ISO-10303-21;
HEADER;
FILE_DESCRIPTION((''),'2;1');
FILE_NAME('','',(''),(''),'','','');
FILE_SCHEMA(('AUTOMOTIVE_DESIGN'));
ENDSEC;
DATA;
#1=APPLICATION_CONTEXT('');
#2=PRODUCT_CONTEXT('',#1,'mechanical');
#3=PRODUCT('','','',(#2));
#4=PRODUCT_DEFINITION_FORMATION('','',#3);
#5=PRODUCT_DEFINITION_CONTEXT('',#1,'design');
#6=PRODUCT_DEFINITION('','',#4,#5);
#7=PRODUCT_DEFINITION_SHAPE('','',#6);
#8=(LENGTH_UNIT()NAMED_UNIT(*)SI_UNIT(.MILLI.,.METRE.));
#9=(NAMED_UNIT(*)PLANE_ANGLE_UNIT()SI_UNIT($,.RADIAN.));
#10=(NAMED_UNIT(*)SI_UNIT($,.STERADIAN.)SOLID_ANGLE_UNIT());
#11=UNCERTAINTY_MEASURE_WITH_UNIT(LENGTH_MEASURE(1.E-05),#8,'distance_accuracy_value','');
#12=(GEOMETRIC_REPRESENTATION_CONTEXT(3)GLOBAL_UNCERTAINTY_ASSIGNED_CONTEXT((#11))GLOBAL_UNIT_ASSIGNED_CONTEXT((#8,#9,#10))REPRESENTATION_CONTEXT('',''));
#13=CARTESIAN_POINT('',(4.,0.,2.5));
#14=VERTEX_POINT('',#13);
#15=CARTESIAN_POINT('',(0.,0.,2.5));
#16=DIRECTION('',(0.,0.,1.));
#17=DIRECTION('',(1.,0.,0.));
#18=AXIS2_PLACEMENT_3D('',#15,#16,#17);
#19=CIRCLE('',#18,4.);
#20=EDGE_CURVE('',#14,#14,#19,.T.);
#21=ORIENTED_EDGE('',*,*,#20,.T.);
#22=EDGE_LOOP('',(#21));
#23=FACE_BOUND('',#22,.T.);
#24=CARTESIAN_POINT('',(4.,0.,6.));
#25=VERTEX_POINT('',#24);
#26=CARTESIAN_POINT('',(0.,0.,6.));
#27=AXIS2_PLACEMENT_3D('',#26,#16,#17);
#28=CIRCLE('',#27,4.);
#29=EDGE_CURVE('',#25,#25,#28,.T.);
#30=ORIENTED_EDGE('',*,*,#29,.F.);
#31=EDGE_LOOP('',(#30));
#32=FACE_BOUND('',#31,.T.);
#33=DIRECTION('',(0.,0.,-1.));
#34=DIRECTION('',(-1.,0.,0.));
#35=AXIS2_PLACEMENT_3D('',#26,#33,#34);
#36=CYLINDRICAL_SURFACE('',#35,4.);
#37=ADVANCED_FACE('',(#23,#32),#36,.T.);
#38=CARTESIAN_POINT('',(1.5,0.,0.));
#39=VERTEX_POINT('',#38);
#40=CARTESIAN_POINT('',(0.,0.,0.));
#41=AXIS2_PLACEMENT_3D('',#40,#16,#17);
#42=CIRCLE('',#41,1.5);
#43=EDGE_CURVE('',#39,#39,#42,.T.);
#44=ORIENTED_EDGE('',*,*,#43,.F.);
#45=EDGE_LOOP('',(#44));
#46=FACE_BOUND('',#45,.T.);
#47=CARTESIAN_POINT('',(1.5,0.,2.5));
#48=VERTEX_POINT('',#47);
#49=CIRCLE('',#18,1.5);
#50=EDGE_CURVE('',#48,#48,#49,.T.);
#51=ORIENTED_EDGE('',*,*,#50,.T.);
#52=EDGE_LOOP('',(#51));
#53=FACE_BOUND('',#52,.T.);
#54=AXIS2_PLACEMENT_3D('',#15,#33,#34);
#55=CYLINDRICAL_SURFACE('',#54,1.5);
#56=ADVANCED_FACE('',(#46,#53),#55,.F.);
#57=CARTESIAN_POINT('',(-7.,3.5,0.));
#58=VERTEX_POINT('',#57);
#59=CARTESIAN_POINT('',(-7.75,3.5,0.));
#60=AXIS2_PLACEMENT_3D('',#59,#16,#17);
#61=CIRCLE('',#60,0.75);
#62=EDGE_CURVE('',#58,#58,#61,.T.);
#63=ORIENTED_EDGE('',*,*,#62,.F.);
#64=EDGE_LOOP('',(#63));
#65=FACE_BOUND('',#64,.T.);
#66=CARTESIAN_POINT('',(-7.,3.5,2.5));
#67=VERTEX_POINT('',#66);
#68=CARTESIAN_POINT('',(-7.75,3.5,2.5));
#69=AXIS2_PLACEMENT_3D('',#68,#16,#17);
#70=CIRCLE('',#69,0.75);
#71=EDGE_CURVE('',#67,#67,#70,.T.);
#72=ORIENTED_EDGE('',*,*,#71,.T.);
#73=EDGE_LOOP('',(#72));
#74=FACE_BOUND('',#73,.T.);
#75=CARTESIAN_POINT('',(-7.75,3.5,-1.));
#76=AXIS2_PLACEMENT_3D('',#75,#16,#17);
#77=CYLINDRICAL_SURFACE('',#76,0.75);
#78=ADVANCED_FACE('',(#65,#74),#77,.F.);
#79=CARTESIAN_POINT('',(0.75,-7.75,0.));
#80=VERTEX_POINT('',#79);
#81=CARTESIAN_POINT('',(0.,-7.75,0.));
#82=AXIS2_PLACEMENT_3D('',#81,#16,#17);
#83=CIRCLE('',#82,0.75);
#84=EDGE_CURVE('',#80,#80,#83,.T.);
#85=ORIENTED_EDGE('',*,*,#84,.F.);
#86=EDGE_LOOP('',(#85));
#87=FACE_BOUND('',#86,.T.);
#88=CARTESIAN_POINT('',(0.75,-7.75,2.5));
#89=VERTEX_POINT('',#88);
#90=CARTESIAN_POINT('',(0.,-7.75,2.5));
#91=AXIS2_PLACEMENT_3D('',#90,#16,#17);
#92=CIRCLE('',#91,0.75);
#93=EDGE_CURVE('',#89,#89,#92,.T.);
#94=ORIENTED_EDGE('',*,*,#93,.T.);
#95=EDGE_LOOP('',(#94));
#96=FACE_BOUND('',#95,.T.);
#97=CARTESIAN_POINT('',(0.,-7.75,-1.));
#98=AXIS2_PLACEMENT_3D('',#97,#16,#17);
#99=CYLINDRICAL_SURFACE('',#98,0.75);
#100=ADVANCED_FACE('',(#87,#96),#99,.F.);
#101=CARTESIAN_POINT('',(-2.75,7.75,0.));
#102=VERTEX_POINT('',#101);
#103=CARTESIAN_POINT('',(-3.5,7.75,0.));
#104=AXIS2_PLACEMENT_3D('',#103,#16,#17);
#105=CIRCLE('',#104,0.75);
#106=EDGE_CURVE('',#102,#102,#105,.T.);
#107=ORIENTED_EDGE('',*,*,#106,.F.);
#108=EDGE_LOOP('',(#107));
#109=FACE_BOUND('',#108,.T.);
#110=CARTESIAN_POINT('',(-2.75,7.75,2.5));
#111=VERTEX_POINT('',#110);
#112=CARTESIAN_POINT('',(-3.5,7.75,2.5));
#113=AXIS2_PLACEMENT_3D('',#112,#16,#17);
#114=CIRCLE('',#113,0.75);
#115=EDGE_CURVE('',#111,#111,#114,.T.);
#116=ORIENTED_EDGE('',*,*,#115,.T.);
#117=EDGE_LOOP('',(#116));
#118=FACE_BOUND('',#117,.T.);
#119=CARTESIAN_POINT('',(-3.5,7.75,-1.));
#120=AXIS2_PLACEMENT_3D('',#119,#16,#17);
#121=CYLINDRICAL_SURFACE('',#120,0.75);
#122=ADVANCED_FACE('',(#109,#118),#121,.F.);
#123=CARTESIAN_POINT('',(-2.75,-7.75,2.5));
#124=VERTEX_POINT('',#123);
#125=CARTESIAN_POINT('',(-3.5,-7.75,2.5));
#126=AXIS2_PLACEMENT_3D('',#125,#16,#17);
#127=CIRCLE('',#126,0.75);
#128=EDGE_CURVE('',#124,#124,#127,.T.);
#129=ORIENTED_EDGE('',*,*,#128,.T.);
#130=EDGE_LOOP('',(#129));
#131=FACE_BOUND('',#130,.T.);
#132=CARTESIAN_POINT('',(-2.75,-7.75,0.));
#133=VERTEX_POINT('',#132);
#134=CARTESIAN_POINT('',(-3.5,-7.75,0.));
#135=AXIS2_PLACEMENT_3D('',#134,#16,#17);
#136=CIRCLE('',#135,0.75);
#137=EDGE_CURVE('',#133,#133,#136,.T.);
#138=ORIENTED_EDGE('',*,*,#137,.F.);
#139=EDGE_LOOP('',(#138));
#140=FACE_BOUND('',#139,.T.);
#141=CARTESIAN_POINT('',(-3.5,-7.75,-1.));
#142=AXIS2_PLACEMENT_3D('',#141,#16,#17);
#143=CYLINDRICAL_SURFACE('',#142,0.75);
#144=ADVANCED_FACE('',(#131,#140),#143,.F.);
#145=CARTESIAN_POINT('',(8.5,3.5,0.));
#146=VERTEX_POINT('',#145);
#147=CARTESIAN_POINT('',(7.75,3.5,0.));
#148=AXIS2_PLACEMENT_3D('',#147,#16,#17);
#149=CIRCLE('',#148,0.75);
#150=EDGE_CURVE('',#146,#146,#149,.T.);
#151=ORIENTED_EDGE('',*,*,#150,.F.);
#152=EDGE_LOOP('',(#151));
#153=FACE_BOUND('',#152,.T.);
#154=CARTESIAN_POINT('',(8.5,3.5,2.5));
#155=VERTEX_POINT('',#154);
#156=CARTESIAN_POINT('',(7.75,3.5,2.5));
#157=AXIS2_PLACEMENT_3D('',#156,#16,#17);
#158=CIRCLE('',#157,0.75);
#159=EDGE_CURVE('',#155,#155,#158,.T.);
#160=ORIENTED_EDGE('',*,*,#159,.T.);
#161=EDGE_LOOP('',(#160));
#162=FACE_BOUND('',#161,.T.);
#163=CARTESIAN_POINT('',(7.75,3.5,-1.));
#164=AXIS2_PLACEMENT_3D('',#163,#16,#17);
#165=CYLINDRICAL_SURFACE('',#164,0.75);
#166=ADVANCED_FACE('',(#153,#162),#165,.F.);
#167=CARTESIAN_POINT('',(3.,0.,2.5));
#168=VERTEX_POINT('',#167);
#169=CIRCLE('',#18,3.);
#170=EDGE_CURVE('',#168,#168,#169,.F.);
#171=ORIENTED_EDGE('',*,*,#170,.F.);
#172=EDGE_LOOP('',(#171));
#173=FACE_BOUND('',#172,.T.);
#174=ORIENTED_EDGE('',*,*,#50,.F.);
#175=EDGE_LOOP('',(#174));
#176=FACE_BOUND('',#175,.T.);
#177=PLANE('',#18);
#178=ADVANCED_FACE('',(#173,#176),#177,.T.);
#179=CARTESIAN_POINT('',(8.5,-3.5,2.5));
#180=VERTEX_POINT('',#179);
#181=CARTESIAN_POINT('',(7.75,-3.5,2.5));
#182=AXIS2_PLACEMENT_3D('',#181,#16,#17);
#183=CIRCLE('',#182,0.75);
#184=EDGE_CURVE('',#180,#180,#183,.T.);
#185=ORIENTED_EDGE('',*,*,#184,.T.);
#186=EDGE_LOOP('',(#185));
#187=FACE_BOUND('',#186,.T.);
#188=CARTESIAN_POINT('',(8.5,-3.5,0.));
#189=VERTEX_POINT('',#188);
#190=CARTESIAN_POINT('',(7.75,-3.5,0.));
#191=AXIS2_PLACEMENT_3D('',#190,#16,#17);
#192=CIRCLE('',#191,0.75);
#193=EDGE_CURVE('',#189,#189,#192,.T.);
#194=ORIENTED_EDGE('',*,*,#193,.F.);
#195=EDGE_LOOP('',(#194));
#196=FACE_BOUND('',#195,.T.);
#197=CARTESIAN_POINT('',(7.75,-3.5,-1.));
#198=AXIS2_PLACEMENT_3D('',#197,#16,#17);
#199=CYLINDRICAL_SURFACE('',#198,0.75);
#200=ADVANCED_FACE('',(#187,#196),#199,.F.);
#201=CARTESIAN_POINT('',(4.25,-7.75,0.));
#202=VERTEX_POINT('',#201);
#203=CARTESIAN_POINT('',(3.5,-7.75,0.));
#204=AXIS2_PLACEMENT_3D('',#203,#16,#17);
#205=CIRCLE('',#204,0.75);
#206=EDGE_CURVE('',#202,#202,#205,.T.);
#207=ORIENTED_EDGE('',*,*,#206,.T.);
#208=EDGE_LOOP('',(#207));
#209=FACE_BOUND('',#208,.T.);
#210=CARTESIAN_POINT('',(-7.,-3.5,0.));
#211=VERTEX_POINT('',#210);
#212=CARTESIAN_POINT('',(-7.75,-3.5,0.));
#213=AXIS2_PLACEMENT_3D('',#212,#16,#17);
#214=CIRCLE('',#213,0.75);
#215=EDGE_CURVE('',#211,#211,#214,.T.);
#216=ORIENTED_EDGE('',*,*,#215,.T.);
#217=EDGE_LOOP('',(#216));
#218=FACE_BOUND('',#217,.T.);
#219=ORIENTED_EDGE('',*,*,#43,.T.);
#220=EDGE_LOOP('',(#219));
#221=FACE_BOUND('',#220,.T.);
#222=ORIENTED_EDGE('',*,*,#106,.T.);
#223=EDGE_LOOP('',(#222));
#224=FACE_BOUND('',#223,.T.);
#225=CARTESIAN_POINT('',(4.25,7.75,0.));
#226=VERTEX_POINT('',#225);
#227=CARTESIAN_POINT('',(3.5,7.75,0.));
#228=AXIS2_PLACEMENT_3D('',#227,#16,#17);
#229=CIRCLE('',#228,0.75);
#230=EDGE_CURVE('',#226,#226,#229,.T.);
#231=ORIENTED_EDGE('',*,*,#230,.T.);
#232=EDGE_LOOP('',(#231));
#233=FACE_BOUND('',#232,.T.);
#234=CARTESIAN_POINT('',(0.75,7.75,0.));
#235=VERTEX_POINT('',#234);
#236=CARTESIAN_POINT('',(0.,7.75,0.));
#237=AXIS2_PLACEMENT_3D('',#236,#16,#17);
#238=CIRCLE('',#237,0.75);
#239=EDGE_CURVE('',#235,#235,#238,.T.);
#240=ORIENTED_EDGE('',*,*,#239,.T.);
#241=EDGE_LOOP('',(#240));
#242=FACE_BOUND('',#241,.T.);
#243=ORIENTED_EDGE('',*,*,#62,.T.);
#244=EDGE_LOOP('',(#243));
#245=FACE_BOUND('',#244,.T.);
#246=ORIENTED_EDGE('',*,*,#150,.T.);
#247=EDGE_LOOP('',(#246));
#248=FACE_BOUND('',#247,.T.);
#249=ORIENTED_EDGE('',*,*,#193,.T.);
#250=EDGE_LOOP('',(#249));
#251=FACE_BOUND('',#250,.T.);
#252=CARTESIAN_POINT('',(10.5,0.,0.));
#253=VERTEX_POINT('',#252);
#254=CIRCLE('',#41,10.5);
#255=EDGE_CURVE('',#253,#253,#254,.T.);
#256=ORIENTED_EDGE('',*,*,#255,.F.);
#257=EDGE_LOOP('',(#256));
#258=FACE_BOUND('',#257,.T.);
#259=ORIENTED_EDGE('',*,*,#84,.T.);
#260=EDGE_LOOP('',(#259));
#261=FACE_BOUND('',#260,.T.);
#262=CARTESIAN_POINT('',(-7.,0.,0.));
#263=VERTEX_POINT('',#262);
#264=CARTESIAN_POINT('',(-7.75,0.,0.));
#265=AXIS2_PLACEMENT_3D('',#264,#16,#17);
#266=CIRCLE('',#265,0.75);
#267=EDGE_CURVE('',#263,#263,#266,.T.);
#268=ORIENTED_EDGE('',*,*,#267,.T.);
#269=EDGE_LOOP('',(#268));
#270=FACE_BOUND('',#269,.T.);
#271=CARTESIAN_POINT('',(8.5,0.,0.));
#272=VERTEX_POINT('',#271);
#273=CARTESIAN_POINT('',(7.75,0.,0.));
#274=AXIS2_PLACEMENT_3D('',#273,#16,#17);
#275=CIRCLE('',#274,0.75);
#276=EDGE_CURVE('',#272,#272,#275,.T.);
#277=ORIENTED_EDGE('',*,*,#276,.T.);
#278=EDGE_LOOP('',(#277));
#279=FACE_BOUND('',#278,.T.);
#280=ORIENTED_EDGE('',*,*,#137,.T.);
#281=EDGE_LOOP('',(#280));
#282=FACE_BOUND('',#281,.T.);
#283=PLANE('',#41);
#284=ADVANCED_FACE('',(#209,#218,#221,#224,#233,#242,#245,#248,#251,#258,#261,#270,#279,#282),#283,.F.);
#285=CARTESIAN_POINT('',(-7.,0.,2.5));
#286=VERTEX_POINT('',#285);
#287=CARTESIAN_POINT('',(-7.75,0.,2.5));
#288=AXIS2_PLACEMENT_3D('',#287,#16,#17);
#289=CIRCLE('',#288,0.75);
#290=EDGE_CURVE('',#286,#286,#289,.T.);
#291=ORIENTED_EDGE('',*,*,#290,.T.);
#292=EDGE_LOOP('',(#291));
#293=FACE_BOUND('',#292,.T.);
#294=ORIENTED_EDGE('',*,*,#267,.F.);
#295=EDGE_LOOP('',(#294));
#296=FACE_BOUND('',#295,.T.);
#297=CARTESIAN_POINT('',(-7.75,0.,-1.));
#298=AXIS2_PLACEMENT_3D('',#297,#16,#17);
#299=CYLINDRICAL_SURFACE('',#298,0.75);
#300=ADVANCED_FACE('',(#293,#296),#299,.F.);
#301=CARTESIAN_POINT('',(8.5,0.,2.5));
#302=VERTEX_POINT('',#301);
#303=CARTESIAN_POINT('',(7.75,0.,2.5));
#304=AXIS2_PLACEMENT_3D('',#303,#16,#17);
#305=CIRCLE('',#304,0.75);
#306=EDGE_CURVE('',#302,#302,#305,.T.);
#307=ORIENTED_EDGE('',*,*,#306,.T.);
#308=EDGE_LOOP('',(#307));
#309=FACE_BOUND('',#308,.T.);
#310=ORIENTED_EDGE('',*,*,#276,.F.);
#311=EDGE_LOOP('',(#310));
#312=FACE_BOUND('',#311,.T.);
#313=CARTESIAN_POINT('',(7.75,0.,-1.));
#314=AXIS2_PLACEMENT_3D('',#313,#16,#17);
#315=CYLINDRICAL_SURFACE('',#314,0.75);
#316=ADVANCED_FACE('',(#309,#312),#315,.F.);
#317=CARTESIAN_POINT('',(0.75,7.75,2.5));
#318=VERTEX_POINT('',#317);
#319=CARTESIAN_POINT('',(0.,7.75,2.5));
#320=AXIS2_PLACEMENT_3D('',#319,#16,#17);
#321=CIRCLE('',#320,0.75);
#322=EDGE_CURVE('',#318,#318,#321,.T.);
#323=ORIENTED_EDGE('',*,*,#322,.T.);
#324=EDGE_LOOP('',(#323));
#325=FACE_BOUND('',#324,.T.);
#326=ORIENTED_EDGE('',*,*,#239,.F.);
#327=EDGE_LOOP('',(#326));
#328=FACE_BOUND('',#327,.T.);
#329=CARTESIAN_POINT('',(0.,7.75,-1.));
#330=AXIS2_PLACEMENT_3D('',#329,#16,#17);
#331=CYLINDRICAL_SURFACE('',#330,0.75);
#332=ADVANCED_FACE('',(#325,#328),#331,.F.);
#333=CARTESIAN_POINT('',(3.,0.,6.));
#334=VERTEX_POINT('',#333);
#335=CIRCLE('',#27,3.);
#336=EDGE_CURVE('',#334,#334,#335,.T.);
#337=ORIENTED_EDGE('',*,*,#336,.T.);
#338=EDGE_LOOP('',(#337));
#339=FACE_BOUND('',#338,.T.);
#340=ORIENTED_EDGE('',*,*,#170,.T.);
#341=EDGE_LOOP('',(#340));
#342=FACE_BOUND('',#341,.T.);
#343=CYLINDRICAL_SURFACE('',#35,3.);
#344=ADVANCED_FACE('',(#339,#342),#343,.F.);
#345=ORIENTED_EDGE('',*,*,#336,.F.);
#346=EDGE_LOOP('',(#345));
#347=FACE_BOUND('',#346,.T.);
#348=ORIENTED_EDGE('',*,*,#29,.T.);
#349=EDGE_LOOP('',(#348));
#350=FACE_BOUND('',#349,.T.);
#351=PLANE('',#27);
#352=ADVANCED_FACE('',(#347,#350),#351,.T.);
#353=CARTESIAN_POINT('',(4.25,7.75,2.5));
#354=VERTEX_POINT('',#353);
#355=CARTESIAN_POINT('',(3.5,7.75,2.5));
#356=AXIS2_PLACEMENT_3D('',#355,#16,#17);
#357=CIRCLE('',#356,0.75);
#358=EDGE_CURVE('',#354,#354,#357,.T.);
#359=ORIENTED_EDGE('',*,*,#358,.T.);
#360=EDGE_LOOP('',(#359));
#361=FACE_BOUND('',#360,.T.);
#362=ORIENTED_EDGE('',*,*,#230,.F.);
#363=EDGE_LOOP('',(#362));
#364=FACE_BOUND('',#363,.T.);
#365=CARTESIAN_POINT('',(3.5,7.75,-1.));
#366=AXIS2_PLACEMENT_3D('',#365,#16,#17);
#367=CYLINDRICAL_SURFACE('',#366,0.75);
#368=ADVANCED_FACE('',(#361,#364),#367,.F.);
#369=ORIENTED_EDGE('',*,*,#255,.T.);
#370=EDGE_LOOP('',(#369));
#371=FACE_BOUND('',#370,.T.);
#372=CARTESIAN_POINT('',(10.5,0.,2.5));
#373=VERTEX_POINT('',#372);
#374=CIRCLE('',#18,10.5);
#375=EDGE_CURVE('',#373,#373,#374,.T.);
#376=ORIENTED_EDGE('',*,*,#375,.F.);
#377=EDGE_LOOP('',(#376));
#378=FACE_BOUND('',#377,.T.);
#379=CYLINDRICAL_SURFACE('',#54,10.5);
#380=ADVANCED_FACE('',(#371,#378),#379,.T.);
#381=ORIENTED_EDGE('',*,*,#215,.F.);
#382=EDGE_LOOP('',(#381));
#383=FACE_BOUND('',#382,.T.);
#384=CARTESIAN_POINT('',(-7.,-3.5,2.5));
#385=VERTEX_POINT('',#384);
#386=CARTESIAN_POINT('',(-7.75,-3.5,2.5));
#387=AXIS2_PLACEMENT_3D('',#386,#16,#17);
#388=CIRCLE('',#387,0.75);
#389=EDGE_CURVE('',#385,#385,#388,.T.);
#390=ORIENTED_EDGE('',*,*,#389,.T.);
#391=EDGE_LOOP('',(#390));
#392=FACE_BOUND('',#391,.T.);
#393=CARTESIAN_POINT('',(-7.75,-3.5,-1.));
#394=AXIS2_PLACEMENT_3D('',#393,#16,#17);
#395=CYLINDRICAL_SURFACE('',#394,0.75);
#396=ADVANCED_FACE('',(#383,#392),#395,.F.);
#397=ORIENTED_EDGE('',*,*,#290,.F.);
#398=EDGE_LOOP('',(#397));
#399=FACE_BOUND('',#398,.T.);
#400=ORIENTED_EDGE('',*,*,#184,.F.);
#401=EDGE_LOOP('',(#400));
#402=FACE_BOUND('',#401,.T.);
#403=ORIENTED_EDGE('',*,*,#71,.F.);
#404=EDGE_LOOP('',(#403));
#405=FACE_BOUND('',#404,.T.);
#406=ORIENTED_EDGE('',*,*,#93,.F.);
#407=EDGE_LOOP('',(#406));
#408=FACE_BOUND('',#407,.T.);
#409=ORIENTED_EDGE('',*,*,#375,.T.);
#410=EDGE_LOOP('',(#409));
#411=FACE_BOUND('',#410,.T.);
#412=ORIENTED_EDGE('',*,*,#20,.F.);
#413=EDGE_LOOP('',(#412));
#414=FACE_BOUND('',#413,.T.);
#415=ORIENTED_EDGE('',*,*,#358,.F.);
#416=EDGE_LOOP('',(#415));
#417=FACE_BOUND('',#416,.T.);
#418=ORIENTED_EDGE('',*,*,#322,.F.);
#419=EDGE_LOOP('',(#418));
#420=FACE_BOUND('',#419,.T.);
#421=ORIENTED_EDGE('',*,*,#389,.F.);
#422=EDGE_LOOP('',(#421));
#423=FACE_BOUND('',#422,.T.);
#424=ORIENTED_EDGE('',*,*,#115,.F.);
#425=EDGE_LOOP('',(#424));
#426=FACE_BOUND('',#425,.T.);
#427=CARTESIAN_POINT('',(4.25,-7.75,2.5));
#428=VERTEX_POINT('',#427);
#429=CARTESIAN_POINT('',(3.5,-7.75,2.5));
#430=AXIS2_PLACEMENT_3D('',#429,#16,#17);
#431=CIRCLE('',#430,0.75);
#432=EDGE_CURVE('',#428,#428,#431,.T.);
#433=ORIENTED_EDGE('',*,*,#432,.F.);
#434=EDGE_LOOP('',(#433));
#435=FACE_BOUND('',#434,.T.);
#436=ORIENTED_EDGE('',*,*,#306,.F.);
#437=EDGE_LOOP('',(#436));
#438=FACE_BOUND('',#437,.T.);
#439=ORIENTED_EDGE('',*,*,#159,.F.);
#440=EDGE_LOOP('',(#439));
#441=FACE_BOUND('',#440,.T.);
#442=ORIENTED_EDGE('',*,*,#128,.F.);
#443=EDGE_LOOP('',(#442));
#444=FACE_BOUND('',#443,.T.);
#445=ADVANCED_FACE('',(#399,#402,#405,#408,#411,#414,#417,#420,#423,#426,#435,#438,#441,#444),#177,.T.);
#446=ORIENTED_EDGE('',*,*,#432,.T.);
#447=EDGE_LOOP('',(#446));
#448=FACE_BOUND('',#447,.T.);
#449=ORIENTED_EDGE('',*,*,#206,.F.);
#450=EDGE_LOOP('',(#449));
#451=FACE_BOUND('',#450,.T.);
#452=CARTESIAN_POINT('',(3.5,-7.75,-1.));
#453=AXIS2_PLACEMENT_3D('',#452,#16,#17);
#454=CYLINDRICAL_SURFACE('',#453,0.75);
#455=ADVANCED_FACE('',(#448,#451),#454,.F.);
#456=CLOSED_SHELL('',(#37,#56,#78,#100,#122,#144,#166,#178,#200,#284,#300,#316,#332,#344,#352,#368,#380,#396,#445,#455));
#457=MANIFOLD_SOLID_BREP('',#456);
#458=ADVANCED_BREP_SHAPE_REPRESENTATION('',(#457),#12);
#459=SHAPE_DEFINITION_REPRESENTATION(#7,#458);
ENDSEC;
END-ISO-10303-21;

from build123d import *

# Parameters (mm, degrees)
CROQUIS1_R              = 10.5
CROQUIS1_R_2            = 1.5
SALIENTE_EXTRUIR1_DEPTH = 2.5
CROQUIS2_R              = 4
CROQUIS2_R_2            = 3
SALIENTE_EXTRUIR2_DEPTH = 3.5
CROQUIS3_R              = 0.75
CORTAR_EXTRUIR1_DEPTH   = 3.5


with BuildPart() as part:
    # Croquis1 → Saliente-Extruir1 (new body)
    with BuildSketch(Plane.XY):
        Circle(CROQUIS1_R)
        Circle(CROQUIS1_R_2, mode=Mode.SUBTRACT)
    extrude(amount=SALIENTE_EXTRUIR1_DEPTH)

    # Croquis2 → Saliente-Extruir2 (add)
    with BuildSketch(Plane.XY.offset(2.5)):
        Circle(CROQUIS2_R)
        Circle(CROQUIS2_R_2, mode=Mode.SUBTRACT)
    extrude(amount=SALIENTE_EXTRUIR2_DEPTH)

    # Croquis3 → Cortar-Extruir1 (cut)
    with BuildSketch(Plane.XY.offset(2.5)):
        with Locations((-7.75, 0)):
            Circle(CROQUIS3_R)
        with Locations((-7.75, 3.5)):
            Circle(CROQUIS3_R)
        with Locations((-7.75, -3.5)):
            Circle(CROQUIS3_R)
        with Locations((3.5, 7.75)):
            Circle(CROQUIS3_R)
        with Locations((0, 7.75)):
            Circle(CROQUIS3_R)
        with Locations((-3.5, 7.75)):
            Circle(CROQUIS3_R)
        with Locations((7.75, -3.5)):
            Circle(CROQUIS3_R)
        with Locations((7.75, 0)):
            Circle(CROQUIS3_R)
        with Locations((7.75, 3.5)):
            Circle(CROQUIS3_R)
        with Locations((-3.5, -7.75)):
            Circle(CROQUIS3_R)
        with Locations((0, -7.75)):
            Circle(CROQUIS3_R)
        with Locations((3.5, -7.75)):
            Circle(CROQUIS3_R)
    extrude(amount=-CORTAR_EXTRUIR1_DEPTH, mode=Mode.SUBTRACT)


solid = part.part
